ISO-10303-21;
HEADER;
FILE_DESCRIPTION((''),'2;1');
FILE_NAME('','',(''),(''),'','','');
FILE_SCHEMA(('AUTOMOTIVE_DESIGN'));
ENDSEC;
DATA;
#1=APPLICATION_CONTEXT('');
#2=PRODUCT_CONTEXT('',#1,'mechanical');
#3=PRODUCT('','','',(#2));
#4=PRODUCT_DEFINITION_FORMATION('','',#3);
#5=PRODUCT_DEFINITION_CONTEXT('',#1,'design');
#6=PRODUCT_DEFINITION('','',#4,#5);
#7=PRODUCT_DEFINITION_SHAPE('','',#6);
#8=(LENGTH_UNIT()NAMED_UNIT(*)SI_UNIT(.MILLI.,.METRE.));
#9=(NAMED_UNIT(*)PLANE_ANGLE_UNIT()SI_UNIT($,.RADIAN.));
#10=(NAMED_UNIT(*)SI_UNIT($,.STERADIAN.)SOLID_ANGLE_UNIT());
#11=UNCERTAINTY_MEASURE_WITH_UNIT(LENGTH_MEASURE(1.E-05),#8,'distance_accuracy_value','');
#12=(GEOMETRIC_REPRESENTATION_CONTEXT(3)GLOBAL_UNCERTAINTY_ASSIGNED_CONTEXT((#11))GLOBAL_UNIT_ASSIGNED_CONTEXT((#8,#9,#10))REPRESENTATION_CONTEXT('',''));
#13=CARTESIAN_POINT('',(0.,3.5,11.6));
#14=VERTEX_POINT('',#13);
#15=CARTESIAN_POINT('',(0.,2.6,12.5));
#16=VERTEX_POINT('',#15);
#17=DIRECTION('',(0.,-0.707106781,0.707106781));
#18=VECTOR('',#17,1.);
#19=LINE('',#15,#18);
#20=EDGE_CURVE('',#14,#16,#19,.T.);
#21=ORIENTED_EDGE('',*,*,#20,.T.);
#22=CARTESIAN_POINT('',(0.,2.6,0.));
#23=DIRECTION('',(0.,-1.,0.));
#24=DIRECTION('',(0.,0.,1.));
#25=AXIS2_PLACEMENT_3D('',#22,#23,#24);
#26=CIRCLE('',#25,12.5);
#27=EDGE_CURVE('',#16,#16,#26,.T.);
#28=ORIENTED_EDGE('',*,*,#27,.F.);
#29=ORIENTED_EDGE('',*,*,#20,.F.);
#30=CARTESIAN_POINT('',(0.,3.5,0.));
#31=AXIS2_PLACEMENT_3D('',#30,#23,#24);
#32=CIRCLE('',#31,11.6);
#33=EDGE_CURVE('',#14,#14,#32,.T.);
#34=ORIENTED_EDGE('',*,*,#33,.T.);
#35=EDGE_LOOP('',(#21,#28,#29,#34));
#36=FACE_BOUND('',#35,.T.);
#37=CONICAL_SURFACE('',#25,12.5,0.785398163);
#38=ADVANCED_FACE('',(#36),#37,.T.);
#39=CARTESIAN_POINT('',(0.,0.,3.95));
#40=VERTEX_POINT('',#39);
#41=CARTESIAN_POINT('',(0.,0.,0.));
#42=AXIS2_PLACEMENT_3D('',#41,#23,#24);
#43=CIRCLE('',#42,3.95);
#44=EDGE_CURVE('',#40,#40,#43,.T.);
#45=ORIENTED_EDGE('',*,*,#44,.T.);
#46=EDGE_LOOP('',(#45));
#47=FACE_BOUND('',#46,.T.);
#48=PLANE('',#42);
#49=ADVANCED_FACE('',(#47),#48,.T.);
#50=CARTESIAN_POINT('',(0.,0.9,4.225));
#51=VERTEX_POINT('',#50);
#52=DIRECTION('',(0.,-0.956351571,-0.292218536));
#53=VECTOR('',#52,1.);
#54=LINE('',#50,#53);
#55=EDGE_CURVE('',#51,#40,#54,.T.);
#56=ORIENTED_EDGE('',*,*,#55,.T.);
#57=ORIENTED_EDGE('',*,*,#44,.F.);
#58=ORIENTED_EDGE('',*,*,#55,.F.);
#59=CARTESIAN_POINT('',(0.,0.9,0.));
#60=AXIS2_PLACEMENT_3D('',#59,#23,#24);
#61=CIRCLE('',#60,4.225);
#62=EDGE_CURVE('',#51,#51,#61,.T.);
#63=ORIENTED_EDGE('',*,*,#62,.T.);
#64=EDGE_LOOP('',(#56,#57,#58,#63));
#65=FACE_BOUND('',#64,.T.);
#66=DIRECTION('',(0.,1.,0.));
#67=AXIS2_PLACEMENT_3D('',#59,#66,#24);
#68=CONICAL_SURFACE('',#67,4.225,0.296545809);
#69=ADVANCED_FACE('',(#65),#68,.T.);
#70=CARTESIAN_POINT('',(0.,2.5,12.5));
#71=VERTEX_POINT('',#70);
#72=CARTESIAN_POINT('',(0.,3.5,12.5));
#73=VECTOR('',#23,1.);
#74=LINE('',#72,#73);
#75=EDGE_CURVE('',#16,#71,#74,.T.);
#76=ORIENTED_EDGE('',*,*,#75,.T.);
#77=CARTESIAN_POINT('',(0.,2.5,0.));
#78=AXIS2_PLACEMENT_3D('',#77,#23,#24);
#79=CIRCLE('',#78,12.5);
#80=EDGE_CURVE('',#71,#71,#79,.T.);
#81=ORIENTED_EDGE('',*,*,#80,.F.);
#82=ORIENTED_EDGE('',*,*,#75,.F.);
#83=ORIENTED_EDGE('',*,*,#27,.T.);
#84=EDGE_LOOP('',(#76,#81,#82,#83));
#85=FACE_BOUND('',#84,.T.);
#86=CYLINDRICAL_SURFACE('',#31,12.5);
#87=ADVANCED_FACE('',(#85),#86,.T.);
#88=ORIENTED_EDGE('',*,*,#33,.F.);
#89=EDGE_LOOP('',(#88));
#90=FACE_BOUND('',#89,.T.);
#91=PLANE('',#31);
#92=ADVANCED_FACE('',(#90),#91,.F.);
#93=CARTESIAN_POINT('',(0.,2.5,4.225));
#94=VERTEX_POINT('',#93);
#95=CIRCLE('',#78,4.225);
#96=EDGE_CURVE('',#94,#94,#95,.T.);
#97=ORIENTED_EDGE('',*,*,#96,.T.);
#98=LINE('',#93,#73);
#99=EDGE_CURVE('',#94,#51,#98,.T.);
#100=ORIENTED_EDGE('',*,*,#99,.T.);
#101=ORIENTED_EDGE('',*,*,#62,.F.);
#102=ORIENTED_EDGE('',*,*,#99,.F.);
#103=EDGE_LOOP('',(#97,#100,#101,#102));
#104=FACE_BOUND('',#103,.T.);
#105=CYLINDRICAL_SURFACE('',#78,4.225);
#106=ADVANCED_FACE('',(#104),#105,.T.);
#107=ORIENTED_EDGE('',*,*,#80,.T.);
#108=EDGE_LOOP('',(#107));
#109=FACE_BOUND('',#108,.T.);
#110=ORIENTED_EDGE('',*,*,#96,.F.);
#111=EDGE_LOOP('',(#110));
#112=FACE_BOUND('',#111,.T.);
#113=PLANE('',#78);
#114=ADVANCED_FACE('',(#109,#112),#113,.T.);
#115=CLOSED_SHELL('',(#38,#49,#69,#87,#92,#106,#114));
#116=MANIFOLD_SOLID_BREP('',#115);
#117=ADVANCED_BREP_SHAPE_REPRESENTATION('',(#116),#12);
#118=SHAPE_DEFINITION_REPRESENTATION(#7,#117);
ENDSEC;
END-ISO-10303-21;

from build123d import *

# Parameters (mm, degrees)
F2_SIZE = 0.9


with BuildPart() as f1:
    # F0 (on Right) → F1 (revolve)
    with BuildSketch(Plane.YZ):
        Polygon((0, 0), (3.5, 0), (3.5, 12.5), (2.5, 12.5), (2.5, 4.225), (0.9, 4.225), (0, 3.95), align=None)
    revolve(axis=Axis((0, 1.75, 0), (0, -1, 0)))

    # F2
    f2_edges = [f1.edges().sort_by_distance(p)[0] for p in [
        (0, 3.5, -12.5),
    ]]
    chamfer(f2_edges, length=F2_SIZE)


solid = f1.part
